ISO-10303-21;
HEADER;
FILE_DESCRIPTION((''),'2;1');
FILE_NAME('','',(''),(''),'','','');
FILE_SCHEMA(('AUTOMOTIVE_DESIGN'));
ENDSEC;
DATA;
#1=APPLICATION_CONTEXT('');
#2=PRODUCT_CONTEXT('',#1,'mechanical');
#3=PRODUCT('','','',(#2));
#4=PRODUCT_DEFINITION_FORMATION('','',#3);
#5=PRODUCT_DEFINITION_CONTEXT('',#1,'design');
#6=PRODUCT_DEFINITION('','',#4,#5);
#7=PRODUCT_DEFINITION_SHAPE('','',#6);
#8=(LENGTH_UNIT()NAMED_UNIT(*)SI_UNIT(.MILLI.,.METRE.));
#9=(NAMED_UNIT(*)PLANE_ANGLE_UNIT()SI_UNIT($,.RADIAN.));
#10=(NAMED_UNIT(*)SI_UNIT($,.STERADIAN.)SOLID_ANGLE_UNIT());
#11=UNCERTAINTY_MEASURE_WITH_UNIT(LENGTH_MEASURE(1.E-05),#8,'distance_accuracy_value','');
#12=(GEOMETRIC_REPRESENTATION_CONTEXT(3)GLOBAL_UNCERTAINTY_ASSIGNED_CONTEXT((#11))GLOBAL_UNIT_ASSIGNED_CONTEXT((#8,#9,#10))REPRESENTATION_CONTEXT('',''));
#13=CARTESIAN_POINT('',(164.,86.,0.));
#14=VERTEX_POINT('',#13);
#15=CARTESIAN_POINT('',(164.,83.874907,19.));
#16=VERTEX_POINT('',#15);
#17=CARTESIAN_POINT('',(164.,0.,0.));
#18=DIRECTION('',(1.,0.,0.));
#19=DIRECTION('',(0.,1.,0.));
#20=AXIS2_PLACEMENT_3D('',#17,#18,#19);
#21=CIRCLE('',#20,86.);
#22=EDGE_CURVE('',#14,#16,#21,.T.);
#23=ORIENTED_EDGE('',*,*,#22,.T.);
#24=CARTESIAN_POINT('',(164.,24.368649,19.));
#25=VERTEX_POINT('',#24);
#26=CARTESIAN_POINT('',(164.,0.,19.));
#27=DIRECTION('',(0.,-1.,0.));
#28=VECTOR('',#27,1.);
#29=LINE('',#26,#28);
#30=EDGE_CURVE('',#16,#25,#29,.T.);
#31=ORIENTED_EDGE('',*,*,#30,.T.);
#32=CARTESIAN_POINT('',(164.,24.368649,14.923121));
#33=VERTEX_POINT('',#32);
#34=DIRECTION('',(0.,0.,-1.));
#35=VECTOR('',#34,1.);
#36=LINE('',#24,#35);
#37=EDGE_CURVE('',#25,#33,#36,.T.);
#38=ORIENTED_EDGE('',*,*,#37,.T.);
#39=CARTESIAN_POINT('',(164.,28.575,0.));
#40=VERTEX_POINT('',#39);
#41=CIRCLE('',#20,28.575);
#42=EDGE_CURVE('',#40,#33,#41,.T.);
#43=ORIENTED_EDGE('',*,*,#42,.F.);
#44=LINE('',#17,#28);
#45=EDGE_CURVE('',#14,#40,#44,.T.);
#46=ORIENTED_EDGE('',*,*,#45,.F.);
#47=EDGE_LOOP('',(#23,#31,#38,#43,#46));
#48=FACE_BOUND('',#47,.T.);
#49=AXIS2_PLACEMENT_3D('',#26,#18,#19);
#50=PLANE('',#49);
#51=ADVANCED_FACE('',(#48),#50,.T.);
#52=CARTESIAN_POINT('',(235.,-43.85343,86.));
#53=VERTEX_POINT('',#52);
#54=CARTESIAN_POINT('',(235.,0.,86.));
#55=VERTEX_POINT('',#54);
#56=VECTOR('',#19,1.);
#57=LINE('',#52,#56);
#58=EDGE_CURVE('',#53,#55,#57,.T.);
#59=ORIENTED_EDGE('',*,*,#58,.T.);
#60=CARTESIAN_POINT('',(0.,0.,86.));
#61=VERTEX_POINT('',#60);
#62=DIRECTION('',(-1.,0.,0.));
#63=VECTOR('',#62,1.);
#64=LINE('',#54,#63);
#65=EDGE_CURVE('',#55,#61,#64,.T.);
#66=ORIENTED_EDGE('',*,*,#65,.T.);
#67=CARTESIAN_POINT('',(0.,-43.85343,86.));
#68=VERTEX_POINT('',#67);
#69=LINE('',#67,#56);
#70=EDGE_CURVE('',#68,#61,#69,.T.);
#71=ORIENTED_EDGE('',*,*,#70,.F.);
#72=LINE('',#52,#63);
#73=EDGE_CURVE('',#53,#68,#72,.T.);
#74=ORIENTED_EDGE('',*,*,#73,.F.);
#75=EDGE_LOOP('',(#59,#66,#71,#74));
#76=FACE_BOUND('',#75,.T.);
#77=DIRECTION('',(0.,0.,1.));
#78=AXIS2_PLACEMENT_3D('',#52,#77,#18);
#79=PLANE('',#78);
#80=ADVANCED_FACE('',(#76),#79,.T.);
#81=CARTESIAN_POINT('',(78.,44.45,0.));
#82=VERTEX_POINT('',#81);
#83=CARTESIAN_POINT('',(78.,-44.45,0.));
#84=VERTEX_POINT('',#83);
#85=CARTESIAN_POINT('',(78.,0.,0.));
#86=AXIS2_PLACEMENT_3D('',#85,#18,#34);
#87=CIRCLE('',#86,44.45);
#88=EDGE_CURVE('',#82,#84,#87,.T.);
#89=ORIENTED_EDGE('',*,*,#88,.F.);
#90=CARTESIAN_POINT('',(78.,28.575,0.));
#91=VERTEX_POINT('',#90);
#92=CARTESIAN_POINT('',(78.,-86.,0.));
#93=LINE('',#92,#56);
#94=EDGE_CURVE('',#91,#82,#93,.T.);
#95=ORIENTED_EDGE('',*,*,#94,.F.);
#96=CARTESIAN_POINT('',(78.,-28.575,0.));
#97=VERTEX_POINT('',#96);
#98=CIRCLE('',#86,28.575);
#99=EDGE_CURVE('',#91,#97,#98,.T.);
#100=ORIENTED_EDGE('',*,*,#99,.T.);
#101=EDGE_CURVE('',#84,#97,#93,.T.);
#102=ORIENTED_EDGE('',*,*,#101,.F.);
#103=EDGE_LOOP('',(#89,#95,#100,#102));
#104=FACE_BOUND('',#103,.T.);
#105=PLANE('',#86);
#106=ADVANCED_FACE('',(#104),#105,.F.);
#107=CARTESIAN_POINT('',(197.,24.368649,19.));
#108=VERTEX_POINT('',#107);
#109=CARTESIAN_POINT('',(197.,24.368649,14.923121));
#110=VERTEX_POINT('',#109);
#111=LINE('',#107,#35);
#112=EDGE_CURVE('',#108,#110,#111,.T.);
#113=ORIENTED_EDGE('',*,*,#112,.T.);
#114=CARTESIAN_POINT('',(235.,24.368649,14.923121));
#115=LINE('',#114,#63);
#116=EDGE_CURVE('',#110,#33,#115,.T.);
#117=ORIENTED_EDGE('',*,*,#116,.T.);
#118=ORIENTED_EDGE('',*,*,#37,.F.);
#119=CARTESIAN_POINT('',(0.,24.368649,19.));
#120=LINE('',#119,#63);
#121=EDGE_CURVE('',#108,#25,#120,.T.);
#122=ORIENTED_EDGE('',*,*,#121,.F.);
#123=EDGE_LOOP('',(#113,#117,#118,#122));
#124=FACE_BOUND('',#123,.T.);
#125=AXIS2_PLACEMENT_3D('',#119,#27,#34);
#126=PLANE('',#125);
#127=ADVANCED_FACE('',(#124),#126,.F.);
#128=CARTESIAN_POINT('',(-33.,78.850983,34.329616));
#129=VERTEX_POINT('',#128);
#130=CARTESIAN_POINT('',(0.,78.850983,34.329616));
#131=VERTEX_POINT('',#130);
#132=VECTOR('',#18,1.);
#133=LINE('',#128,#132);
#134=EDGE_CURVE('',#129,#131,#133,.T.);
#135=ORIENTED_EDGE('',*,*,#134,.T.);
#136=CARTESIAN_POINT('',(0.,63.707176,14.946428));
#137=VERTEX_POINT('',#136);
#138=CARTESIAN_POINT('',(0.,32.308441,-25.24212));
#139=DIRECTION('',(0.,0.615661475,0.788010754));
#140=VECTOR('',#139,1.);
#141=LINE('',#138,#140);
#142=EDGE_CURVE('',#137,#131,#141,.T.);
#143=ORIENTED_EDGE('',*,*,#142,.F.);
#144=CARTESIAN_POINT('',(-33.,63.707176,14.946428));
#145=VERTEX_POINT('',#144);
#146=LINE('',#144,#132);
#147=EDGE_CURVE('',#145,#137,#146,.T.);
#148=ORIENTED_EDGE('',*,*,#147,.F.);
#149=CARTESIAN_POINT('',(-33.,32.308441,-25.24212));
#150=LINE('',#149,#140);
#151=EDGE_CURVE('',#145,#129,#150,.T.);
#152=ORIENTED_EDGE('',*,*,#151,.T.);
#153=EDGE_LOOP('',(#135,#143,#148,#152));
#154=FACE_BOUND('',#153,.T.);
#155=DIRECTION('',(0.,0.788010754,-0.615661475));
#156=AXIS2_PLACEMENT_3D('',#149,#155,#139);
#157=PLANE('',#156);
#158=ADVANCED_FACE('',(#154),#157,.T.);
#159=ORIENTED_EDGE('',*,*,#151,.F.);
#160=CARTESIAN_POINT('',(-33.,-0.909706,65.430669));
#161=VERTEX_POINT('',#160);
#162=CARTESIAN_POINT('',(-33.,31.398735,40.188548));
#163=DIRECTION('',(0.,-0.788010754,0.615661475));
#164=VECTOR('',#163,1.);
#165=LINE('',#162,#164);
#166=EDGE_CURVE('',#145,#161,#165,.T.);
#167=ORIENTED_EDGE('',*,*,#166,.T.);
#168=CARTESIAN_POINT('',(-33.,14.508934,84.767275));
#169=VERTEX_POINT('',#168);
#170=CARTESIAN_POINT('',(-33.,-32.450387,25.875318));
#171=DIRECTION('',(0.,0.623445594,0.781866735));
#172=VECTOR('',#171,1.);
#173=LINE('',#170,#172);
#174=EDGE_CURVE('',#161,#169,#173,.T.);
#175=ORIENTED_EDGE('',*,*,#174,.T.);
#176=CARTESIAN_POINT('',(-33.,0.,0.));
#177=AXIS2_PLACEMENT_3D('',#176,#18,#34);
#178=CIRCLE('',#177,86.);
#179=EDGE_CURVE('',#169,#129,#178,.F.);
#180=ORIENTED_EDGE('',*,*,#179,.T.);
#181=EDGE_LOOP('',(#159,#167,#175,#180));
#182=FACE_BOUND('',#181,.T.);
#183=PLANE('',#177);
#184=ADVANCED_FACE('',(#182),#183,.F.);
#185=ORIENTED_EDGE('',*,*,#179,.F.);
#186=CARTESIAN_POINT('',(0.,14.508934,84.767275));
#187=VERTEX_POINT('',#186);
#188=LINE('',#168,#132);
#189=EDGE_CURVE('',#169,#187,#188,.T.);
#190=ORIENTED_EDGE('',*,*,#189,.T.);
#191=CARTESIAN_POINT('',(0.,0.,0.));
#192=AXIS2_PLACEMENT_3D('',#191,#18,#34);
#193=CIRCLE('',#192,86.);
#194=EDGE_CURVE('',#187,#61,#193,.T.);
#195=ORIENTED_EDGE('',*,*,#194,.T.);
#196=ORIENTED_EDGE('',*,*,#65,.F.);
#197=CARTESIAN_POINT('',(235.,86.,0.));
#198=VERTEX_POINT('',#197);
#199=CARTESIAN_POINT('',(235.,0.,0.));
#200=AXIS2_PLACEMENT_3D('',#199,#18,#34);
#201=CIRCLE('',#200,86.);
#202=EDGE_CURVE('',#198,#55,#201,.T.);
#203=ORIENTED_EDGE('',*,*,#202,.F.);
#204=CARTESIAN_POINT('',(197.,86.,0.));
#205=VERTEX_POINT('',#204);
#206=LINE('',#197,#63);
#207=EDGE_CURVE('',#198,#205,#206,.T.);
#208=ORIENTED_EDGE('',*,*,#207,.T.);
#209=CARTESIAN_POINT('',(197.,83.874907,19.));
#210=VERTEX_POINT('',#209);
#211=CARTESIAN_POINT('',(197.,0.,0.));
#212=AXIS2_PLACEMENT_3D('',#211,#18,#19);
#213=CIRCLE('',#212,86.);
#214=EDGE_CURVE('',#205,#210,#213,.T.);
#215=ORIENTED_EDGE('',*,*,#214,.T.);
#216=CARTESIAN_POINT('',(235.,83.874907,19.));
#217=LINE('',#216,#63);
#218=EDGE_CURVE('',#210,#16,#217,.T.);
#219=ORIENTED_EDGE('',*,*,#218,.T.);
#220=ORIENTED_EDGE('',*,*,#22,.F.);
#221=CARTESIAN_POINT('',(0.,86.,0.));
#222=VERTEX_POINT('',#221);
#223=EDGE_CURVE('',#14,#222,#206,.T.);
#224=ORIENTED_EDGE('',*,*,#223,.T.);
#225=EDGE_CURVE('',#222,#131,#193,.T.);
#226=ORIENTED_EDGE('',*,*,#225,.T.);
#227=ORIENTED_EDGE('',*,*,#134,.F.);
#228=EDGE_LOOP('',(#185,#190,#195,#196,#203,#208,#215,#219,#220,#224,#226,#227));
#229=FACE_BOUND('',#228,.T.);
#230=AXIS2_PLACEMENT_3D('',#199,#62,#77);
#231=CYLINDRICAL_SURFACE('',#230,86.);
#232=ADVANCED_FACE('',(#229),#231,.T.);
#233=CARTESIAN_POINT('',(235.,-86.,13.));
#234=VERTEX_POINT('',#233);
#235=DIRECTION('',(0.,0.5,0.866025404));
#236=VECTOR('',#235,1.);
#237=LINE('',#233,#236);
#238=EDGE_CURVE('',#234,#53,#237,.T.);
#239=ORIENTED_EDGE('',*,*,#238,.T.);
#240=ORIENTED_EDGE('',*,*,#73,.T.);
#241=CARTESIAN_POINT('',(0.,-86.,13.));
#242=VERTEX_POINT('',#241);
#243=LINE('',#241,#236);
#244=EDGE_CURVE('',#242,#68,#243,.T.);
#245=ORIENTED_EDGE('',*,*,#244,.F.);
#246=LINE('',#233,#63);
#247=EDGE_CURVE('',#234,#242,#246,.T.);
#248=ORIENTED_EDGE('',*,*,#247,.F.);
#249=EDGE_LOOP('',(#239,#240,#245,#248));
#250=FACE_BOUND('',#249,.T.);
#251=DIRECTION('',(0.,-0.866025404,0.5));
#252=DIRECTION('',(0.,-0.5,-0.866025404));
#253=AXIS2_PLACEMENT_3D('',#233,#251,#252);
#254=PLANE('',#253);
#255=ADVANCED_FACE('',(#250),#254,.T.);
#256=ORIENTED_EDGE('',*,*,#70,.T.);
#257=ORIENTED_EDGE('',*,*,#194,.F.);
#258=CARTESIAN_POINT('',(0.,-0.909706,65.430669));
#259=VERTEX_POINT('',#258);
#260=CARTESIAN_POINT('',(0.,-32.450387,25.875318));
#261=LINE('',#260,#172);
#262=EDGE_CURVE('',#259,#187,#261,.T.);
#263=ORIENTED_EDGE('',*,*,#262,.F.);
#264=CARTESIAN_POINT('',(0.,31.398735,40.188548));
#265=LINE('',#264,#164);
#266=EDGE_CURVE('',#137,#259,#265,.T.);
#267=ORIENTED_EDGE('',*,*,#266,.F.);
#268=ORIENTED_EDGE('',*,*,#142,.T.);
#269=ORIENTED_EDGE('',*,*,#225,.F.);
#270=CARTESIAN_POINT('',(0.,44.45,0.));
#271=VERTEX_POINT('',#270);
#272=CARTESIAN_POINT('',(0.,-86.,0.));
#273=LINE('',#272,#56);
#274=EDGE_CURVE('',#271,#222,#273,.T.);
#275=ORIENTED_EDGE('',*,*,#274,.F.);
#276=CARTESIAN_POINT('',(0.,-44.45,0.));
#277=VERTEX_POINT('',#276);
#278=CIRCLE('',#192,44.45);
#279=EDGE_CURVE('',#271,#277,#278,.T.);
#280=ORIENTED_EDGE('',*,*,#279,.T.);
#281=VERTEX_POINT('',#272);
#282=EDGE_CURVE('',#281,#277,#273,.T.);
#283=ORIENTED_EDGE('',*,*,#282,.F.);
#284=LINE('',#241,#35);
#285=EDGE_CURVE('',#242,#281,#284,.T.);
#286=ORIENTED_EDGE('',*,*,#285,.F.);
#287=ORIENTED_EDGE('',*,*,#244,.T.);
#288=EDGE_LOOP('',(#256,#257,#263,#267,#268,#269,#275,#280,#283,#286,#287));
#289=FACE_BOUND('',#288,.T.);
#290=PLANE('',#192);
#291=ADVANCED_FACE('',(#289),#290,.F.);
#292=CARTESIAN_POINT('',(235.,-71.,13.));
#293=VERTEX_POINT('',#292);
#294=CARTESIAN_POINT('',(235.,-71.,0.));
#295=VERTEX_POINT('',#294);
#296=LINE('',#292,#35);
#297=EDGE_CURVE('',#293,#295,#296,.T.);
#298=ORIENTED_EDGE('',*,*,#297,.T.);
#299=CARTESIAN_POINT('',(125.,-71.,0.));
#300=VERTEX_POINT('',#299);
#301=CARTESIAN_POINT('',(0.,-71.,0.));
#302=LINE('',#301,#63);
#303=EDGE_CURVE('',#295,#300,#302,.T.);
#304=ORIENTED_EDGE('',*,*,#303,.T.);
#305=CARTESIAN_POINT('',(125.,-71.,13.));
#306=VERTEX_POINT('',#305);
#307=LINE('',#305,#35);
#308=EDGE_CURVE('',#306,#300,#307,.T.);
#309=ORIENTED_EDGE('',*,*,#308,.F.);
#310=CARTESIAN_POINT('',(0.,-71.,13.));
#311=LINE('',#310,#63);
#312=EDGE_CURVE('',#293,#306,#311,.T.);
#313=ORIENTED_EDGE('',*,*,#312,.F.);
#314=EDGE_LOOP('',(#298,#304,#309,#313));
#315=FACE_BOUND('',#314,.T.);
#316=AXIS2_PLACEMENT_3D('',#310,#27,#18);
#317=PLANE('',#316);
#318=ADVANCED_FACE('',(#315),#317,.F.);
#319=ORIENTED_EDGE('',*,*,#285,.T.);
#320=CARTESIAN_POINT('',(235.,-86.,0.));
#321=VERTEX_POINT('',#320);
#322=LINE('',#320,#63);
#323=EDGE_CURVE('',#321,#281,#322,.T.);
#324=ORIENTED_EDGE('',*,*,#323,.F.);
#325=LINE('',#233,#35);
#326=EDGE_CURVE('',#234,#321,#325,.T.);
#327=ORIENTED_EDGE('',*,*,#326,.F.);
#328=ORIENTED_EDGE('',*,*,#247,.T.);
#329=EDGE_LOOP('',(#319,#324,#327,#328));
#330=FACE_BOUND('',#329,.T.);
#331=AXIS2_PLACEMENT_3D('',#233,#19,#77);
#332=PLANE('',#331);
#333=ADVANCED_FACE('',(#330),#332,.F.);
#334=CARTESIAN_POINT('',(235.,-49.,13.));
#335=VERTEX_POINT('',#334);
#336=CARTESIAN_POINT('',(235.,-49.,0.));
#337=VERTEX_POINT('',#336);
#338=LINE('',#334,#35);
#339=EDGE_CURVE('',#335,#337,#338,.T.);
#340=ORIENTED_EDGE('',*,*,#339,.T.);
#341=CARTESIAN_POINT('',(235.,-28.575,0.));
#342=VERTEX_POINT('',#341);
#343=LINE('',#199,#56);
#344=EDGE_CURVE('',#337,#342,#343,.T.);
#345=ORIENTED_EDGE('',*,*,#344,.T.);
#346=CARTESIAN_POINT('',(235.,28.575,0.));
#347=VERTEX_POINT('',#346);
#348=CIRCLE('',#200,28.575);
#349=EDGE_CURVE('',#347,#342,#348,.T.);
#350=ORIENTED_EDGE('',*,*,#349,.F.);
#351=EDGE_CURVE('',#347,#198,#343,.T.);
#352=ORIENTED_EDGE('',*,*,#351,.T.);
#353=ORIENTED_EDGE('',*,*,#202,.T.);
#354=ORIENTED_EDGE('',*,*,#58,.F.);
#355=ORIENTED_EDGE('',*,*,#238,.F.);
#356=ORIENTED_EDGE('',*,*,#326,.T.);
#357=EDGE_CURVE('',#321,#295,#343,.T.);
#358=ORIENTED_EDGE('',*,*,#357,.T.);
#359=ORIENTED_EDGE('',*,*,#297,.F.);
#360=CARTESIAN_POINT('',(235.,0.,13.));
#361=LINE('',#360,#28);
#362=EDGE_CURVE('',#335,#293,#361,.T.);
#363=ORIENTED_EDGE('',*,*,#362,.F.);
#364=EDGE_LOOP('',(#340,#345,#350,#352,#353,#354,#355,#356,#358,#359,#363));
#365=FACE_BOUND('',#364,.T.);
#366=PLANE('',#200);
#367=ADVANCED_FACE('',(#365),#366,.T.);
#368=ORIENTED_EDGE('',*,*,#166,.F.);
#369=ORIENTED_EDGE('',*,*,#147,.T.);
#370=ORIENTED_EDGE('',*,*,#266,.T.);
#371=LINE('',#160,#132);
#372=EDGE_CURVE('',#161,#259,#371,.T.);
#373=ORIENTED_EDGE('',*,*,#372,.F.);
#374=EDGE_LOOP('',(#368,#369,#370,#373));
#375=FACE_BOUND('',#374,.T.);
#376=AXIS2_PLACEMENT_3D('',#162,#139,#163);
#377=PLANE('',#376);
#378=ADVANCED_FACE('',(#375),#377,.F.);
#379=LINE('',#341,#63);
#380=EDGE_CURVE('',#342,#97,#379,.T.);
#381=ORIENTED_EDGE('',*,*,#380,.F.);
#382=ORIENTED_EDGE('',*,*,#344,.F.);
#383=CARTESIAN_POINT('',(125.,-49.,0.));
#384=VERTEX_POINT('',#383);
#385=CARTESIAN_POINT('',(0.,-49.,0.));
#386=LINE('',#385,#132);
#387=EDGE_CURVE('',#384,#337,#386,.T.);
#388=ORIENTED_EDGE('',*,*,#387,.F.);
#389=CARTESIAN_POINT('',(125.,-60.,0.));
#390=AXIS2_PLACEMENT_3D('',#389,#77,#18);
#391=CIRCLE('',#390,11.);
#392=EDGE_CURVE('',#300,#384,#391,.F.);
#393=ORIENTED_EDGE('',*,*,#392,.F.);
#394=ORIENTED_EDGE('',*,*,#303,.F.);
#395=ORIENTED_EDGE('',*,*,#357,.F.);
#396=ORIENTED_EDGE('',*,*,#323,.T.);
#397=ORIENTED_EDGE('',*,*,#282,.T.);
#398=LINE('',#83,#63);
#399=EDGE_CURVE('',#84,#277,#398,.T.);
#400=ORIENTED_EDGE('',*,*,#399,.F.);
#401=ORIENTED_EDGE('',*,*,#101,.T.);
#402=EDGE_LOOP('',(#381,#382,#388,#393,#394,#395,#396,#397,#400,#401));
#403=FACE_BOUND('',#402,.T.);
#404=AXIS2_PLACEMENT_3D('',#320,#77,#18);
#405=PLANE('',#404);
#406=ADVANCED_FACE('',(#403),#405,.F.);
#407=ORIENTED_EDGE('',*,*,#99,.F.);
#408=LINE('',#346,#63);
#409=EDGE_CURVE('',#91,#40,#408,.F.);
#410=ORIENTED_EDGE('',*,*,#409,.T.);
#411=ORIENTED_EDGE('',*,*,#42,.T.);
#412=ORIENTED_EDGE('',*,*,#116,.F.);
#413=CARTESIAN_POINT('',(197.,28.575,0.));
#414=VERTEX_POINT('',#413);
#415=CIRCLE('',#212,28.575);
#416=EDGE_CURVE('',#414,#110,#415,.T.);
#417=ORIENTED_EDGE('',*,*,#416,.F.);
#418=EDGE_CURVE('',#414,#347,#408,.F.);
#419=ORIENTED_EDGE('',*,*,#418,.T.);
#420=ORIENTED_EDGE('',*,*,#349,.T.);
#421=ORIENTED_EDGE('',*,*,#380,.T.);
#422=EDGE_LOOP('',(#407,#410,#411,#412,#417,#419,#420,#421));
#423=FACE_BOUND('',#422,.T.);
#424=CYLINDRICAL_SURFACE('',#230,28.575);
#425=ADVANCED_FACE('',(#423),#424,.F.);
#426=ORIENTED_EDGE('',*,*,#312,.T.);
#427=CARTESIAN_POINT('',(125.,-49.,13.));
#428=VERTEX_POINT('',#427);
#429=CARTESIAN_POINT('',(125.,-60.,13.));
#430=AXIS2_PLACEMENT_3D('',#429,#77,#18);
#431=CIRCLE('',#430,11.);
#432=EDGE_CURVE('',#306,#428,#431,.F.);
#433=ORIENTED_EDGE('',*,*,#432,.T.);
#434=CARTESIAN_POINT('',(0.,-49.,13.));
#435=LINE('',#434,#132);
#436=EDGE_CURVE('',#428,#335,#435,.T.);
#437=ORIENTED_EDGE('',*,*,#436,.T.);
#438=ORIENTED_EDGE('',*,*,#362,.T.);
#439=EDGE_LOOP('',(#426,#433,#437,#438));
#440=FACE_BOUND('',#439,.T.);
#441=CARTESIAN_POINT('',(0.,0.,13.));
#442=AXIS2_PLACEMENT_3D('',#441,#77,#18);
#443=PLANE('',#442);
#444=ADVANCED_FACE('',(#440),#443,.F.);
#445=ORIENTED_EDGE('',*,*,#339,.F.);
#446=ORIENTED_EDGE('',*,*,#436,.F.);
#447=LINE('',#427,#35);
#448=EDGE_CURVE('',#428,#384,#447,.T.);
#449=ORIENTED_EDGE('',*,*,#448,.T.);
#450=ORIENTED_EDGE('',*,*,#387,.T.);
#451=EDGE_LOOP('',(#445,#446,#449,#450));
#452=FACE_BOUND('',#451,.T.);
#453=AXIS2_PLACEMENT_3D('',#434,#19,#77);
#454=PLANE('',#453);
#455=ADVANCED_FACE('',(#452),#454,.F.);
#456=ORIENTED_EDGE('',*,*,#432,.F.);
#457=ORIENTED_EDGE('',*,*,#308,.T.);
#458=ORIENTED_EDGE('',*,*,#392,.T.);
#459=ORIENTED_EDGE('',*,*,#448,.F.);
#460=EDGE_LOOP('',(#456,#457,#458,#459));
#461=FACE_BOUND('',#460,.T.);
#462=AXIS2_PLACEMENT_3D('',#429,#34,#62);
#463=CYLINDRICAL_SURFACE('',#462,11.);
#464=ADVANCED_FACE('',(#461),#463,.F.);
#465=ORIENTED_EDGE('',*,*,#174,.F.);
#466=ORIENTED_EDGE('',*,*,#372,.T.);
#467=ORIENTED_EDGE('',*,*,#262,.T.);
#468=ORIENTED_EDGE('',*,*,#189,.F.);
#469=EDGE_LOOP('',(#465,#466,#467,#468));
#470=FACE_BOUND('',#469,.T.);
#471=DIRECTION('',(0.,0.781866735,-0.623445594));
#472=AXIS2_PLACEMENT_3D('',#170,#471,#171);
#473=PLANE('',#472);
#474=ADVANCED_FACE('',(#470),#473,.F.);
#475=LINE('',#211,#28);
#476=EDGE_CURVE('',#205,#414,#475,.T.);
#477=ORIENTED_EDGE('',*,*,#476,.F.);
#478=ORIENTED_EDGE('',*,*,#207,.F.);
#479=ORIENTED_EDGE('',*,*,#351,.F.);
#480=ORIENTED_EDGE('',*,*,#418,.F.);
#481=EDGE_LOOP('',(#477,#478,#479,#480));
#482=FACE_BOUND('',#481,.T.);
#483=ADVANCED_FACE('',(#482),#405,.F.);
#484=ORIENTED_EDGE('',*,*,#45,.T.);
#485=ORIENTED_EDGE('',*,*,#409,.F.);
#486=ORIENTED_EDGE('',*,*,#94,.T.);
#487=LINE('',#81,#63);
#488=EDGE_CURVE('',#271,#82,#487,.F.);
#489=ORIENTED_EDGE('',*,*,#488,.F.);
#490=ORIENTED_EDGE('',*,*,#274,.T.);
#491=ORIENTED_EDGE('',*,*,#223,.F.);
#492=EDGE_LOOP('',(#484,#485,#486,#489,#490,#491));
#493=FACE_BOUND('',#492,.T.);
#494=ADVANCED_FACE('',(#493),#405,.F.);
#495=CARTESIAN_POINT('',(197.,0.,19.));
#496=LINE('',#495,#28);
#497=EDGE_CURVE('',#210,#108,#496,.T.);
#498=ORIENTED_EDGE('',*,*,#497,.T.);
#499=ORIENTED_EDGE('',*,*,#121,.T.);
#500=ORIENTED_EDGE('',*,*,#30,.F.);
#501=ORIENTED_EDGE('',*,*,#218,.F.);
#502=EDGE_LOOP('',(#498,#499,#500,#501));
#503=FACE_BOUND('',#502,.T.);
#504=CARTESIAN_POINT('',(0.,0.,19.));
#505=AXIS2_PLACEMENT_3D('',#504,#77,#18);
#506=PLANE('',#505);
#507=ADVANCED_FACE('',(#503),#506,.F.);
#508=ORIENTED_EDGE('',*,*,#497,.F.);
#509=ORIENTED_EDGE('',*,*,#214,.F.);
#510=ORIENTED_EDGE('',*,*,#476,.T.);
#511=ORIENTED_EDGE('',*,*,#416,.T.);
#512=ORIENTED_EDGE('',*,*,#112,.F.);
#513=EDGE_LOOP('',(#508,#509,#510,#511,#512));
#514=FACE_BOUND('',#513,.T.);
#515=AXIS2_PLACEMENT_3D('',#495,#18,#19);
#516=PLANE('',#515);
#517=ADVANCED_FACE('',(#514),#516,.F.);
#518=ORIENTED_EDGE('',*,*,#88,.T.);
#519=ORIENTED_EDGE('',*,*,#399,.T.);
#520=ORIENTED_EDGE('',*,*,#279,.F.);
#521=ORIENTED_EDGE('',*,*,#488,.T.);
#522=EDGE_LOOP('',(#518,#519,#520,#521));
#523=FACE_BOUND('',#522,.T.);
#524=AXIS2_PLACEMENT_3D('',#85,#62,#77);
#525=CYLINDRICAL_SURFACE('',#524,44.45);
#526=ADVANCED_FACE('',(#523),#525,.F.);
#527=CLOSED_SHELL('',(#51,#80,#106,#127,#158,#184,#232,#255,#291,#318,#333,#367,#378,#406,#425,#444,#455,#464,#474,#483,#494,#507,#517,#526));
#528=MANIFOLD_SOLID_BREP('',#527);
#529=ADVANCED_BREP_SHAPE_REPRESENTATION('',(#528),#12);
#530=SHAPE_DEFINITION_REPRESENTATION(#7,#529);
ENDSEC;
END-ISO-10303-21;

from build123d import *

# Parameters (mm, degrees)
BOSS_EXTRU_1_DEPTH      = 235
ESQUISSE2_R             = 28.575
ENL_V_MAT_EXTRU_1_DEPTH = 235
ESQUISSE3_R             = 44.45
ENL_V_MAT_EXTRU_2_DEPTH = 78
ESQUISSE4_W             = 33
ESQUISSE4_H             = 61.631350579
ENL_V_MAT_EXTRU_3_DEPTH = 19
ENL_V_MAT_EXTRU_4_DEPTH = 13
BOSS_EXTRU_2_START      = -33
BOSS_EXTRU_2_DEPTH      = 33


with BuildPart() as part:
    # Esquisse1 → Boss.-Extru.1 (new body)
    with BuildSketch(Plane(origin=(0, 0, 0), x_dir=(0, 0, -1), z_dir=(1, 0, 0))):
        with BuildLine():
            Line((0, 0), (0, 86))
            ThreePointArc((0, 86), (-60.811183182, 60.811183182), (-86, 0))
            Line((-86, 0), (-86, -43.853430349))
            Line((-86, -43.853430349), (-13, -86))
            Line((-13, -86), (0, -86))
            Line((0, -86), (0, 0))
        make_face()
    extrude(amount=BOSS_EXTRU_1_DEPTH)

    # Esquisse2 → Enlèv. mat.-Extru.1 (cut)
    with BuildSketch(Plane(origin=(0, 0, 0), x_dir=(0, 0, -1), z_dir=(1, 0, 0))):
        Circle(ESQUISSE2_R)
    extrude(amount=ENL_V_MAT_EXTRU_1_DEPTH, mode=Mode.SUBTRACT)

    # Esquisse3 → Enlèv. mat.-Extru.2 (cut)
    with BuildSketch(Plane(origin=(0, 0, 0), x_dir=(0, 0, -1), z_dir=(1, 0, 0))):
        Circle(ESQUISSE3_R)
    extrude(amount=ENL_V_MAT_EXTRU_2_DEPTH, mode=Mode.SUBTRACT)

    # Esquisse4 → Enlèv. mat.-Extru.3 (cut)
    with BuildSketch(Plane.XY):
        with Locations((180.5, 55.184324711)):
            Rectangle(ESQUISSE4_W, ESQUISSE4_H)
    extrude(amount=ENL_V_MAT_EXTRU_3_DEPTH, mode=Mode.SUBTRACT)

    # Esquisse5 → Enlèv. mat.-Extru.4 (cut)
    with BuildSketch(Plane.XY):
        with BuildLine():
            ThreePointArc((125, -71), (114, -60), (125, -49))
            Line((125, -49), (235, -49))
            Line((235, -49), (235, -71))
            Line((235, -71), (125, -71))
        make_face()
    extrude(amount=ENL_V_MAT_EXTRU_4_DEPTH, mode=Mode.SUBTRACT)

    # Esquisse6 → Boss.-Extru.2 (add)
    with BuildSketch(Plane(origin=(0, 0, 0), x_dir=(0, 0, -1), z_dir=(1, 0, 0)).offset(BOSS_EXTRU_2_START)):
        with BuildLine():
            Line((-65.430668922, -0.909705656), (-40.188548434, 31.398735242))
            Line((-40.188548434, 31.398735242), (-14.946427946, 63.707176139))
            Line((-14.946427946, 63.707176139), (-34.329616239, 78.850982549))
            ThreePointArc((-34.329616239, 78.850982549), (-67.683027015, 53.056647596), (-84.767274524, 14.508934135))
            Line((-84.767274524, 14.508934135), (-65.430668922, -0.909705656))
        make_face()
    extrude(amount=BOSS_EXTRU_2_DEPTH)


solid = part.part
